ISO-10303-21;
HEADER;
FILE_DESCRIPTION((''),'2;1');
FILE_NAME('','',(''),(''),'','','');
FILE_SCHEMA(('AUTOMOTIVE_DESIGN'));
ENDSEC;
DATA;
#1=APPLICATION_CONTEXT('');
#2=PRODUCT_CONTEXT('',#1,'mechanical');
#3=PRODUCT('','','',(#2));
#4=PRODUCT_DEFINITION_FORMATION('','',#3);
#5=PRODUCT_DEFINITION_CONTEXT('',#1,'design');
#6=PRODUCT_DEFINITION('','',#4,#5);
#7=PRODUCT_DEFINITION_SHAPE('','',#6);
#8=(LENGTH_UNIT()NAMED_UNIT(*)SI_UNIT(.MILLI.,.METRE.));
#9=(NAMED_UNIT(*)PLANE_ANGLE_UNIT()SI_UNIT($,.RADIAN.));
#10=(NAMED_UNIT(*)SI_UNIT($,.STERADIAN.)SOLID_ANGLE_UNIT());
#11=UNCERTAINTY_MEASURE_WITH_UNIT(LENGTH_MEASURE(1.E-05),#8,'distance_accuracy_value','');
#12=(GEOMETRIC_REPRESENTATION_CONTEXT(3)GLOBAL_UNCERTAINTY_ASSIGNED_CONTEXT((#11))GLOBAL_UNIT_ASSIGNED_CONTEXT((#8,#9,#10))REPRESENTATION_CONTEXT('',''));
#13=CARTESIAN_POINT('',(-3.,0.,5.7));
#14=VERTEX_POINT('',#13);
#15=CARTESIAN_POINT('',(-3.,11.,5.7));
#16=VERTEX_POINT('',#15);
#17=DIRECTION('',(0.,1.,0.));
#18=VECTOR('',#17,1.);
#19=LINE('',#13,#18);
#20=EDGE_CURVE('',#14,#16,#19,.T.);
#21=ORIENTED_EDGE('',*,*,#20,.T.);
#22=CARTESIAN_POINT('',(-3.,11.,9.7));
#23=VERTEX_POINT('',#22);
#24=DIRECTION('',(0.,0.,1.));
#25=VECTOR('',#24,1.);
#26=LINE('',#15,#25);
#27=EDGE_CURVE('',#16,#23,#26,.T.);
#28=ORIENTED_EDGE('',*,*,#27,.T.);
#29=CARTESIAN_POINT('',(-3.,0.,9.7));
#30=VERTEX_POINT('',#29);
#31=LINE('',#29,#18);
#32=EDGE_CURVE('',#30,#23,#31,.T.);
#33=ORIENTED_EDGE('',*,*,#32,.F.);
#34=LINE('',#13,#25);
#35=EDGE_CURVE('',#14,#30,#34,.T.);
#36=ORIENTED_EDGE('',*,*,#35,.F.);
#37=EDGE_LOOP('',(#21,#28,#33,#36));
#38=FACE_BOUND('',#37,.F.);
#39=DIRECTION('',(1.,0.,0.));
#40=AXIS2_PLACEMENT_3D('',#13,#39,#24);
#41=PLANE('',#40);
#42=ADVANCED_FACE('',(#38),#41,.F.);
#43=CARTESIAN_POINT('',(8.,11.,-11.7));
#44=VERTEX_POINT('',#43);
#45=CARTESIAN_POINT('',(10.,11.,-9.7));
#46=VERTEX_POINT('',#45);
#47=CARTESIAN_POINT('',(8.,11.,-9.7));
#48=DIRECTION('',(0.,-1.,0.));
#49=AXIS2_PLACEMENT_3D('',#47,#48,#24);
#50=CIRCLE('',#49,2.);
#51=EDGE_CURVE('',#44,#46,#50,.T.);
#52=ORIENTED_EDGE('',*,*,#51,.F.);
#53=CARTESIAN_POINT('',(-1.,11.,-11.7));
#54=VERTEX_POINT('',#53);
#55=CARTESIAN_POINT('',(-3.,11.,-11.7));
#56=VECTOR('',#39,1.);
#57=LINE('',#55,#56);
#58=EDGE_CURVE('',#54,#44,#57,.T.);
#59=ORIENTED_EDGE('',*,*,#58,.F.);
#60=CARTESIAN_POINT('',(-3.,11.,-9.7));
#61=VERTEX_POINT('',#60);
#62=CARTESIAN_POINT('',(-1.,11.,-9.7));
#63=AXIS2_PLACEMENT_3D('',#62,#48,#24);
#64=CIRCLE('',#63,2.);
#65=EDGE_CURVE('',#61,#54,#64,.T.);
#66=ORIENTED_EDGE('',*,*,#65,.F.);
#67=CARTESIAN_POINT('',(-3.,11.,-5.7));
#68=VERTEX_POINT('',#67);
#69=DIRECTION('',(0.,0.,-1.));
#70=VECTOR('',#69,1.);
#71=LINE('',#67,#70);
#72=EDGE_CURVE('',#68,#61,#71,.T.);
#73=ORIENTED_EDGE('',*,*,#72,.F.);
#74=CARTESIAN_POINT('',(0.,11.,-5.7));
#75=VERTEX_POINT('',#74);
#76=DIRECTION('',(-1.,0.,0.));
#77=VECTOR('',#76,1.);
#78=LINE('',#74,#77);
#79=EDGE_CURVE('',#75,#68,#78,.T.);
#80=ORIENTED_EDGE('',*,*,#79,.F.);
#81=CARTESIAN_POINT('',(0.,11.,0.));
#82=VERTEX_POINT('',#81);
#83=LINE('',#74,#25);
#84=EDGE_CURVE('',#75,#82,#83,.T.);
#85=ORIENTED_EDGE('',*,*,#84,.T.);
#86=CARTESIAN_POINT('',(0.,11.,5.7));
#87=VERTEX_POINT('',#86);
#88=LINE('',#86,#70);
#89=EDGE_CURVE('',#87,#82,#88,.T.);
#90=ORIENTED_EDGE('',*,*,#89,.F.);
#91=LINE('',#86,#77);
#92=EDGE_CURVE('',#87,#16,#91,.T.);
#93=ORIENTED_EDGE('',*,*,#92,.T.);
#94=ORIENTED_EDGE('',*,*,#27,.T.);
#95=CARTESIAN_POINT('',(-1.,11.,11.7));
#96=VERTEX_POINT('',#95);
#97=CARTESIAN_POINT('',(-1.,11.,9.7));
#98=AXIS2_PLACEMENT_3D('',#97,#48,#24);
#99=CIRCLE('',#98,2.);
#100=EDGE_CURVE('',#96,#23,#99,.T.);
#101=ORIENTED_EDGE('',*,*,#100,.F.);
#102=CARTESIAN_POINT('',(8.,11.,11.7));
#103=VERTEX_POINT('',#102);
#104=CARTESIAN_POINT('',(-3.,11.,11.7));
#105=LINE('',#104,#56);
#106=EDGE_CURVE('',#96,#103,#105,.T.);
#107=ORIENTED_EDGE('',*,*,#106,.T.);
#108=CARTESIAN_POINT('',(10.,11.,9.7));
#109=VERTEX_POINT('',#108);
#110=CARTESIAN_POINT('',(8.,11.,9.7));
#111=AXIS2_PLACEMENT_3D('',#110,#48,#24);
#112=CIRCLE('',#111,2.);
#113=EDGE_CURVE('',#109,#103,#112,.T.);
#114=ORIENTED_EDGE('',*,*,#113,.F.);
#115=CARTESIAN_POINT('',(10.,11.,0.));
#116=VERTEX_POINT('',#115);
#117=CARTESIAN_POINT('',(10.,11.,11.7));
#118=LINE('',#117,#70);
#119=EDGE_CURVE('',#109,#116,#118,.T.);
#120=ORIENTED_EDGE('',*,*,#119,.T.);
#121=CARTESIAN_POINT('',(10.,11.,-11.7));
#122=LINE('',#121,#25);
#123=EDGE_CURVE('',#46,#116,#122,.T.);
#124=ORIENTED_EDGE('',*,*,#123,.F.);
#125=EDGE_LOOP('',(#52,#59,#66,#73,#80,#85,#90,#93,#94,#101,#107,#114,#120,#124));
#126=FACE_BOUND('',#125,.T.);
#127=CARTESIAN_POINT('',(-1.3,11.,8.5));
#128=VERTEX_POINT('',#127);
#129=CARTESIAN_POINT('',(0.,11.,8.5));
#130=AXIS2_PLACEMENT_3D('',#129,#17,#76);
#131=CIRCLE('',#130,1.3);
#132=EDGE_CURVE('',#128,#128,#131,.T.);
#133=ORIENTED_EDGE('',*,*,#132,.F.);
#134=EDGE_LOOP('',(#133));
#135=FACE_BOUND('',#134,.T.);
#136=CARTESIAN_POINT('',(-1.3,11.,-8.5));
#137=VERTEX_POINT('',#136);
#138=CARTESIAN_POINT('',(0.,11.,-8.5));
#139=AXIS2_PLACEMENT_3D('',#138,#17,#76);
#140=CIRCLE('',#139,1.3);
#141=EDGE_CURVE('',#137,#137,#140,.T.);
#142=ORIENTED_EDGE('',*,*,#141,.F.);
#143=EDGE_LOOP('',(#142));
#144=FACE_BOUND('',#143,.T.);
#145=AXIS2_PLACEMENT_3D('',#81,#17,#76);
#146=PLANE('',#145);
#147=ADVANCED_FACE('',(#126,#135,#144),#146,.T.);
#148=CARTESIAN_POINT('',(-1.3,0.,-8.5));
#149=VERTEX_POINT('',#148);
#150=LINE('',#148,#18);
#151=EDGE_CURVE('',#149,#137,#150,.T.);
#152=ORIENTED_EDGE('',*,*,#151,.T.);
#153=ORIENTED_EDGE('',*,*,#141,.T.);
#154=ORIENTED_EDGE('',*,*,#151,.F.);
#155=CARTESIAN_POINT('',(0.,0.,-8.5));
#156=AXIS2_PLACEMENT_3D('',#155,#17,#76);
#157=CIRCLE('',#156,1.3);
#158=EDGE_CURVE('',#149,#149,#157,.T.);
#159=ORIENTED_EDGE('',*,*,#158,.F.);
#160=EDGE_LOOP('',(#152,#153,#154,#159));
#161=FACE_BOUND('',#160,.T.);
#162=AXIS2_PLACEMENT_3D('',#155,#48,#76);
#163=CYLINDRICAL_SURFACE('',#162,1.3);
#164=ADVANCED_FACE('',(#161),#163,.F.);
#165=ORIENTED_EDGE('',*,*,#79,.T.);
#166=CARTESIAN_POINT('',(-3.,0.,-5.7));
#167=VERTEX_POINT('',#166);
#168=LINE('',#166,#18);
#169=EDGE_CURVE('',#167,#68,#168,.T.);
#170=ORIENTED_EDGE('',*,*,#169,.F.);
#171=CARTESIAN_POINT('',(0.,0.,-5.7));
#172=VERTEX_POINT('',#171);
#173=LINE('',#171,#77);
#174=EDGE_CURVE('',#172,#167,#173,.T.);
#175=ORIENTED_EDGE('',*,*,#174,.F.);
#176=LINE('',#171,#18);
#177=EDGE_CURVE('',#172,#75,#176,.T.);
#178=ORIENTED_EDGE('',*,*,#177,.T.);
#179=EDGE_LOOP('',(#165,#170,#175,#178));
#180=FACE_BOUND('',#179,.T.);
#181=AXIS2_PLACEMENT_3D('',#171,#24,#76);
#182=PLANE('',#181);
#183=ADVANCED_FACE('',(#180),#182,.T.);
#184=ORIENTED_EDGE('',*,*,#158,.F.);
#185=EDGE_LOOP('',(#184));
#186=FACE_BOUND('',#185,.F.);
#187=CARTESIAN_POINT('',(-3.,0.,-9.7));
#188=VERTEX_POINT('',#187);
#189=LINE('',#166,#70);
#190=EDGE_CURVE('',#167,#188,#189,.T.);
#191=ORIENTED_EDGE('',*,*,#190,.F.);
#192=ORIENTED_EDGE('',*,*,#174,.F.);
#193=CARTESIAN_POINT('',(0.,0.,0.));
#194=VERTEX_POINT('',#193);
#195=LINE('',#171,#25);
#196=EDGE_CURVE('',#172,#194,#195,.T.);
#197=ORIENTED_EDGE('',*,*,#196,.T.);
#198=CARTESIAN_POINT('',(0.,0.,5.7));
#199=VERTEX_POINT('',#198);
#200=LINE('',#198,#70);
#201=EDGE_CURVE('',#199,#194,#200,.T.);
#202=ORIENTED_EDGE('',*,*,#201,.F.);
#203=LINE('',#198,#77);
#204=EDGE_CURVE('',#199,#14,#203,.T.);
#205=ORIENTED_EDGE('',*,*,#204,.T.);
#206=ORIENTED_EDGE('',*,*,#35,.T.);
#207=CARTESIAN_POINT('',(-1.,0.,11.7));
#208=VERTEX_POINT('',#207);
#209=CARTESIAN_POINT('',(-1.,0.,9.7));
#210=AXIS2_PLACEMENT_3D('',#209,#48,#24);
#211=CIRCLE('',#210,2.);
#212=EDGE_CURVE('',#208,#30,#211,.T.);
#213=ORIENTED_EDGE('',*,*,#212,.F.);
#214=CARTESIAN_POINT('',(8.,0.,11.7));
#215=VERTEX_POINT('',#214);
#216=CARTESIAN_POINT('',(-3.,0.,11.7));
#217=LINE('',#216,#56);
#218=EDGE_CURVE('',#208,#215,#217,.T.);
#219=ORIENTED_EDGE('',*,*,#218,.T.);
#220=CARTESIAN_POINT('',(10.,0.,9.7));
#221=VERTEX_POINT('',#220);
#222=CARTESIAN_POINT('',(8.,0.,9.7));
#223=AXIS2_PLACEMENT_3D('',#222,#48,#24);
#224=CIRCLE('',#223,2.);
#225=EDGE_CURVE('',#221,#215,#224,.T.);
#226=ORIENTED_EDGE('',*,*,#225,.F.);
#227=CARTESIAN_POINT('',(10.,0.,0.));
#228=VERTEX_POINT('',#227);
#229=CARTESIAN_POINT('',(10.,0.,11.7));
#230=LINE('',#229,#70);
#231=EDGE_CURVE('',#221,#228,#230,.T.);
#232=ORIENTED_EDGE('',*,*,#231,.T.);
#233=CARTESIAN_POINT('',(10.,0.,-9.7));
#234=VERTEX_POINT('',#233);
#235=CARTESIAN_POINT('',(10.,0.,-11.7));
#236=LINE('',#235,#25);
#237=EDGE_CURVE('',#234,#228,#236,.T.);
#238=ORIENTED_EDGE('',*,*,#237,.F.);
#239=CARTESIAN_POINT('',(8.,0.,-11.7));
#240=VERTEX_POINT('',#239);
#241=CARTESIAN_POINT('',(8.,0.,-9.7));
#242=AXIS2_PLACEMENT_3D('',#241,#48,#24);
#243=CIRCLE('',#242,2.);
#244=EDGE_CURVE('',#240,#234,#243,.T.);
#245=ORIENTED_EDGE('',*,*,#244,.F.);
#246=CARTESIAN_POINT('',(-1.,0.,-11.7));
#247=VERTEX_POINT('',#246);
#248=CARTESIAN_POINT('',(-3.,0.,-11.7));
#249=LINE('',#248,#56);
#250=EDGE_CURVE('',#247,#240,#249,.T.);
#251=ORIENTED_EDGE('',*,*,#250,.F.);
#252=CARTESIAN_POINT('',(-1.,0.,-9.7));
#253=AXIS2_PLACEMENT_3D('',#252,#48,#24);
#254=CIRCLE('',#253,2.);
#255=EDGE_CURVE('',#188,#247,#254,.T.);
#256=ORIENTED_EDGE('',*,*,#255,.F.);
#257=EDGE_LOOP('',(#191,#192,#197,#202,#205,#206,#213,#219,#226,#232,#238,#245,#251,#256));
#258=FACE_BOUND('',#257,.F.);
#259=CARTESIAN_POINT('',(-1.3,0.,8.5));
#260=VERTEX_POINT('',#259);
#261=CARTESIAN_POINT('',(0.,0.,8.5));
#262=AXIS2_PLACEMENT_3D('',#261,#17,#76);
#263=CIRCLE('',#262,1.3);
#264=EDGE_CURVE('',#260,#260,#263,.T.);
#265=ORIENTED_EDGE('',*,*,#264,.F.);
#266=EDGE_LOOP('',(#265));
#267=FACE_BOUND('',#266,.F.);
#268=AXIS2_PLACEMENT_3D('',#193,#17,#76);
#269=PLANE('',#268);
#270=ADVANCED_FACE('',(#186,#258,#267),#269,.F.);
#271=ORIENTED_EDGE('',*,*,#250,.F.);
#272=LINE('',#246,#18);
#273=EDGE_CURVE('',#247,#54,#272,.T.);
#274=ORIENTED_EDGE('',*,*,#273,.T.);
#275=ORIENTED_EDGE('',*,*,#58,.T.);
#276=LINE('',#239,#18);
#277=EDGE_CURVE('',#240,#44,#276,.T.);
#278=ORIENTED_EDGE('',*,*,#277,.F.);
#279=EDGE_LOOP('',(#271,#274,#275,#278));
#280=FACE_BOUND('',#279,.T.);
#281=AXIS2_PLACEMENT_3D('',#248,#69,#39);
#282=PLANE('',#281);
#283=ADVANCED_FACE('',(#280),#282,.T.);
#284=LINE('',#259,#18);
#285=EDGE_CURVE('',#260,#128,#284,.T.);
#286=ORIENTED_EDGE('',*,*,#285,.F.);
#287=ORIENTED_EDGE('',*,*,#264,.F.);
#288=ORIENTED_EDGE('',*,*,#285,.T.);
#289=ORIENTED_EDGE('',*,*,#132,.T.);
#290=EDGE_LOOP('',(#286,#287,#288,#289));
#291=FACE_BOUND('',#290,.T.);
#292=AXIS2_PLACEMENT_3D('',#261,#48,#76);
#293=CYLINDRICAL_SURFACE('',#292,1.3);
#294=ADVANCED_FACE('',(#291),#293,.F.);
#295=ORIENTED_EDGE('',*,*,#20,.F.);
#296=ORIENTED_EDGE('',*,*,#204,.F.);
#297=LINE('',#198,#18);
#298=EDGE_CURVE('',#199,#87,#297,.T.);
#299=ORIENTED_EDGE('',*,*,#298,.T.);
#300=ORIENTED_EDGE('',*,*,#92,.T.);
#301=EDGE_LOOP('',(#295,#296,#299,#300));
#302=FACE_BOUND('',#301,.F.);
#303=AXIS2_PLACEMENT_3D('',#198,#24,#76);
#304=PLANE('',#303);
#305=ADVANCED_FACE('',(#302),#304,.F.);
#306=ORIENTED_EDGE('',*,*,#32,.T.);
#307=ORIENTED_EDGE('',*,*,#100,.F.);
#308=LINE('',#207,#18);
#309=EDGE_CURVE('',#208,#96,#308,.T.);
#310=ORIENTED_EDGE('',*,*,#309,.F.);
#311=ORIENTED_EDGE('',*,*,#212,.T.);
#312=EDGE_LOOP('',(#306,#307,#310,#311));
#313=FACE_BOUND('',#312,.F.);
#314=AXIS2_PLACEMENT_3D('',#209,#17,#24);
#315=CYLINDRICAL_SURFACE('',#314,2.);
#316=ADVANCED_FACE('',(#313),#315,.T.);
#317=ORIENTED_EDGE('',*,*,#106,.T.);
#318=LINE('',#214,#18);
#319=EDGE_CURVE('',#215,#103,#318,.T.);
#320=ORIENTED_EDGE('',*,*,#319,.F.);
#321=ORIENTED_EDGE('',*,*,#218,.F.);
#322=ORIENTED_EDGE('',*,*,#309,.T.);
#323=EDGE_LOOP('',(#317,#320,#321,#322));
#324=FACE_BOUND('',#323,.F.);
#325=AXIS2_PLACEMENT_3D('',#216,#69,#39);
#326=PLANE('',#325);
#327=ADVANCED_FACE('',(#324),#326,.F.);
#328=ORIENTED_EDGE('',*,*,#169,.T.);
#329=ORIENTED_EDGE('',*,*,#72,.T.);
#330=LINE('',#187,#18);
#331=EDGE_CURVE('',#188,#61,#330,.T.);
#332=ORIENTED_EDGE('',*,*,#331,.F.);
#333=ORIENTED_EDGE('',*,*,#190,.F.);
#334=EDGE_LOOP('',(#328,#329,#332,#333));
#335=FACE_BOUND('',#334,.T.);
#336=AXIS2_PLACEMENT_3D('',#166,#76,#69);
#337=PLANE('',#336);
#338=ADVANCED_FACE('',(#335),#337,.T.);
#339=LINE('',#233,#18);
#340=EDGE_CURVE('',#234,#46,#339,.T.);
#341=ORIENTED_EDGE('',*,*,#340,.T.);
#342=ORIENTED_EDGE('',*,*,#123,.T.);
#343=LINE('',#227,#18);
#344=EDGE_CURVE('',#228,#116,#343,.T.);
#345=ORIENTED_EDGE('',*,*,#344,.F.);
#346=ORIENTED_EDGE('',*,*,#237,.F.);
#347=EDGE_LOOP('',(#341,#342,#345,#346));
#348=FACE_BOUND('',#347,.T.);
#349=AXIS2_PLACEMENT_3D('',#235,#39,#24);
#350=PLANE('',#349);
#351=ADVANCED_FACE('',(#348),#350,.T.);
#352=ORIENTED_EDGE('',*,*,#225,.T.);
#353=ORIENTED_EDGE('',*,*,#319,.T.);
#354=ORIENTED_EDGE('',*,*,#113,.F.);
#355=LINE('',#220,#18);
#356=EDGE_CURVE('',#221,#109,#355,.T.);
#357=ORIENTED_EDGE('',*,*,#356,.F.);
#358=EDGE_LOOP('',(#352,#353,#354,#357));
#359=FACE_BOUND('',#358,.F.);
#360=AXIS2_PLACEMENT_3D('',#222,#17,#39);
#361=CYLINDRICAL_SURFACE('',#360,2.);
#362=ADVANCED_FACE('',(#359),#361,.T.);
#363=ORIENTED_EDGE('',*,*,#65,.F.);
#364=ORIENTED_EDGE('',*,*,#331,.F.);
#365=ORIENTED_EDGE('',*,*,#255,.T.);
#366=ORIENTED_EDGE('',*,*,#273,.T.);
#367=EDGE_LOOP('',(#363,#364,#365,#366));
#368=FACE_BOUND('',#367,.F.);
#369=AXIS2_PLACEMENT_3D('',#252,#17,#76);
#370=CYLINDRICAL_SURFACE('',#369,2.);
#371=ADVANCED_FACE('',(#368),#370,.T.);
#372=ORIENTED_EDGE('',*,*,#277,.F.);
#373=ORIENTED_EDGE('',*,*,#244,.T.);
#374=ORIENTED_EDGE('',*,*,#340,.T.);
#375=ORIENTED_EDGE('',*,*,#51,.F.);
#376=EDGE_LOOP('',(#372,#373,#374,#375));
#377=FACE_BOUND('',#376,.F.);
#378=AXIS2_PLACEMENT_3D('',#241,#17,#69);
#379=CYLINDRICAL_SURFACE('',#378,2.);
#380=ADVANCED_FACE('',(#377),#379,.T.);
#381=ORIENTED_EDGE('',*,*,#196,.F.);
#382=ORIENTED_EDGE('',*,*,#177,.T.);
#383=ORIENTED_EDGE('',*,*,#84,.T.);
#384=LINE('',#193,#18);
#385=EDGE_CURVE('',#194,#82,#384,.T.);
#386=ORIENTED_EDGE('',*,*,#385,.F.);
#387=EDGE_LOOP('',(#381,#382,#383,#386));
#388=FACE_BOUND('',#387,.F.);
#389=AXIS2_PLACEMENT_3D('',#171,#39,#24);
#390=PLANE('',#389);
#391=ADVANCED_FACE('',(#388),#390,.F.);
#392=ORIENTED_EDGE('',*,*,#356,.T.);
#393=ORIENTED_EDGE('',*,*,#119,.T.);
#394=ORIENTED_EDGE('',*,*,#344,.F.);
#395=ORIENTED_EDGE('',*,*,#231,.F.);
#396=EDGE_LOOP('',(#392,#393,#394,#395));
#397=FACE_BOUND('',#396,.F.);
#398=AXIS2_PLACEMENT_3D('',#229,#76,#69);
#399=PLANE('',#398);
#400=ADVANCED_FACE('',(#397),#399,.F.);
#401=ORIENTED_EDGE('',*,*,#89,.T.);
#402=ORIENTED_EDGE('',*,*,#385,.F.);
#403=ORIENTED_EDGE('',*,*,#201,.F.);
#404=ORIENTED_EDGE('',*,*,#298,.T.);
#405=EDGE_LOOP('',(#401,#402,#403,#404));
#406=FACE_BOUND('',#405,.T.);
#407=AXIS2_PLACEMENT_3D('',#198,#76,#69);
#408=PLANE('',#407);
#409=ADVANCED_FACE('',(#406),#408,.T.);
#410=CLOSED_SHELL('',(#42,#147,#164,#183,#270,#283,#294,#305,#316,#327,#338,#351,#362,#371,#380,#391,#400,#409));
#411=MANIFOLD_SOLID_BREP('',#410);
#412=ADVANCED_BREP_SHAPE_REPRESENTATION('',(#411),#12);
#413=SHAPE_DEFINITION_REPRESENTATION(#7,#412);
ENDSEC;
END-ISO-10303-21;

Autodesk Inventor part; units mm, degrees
ref_plane "YZ Plane" through (0, 0, 0) normal (1, 0, 0) x (0, 1, 0)
ref_plane "XZ Plane" through (0, 0, 0) normal (0, 1, 0) x (-1, 0, 0)
ref_plane "XY Plane" through (0, 0, 0) normal (0, 0, 1) x (1, 0, 0)
sketch "Эскиз1" plane through (0, 0, 0) normal (0, 1, 0) x (-1, 0, 0)
  circle A0 centre (0, 8.5) radius 1.3
  circle A1 centre (0, -8.5) radius 1.3
  line L0 (0, 5.7) -> (3, 5.7)
  line L1 (3, 5.7) -> (3, 11.7)
  line L2 (3, 11.7) -> (-10, 11.7)
  line L3 (-10, 11.7) -> (-10, 0)
  line L4 (5.8356, 0) -> (-16.6075, 0) construction
  line L5 (0, 5.7) -> (0, 0)
  circle A2 centre (0, -8.5) radius 1.3
  line L6 (0, -5.7) -> (3, -5.7)
  line L7 (3, -5.7) -> (3, -11.7)
  line L8 (3, -11.7) -> (-10, -11.7)
  line L9 (-10, -11.7) -> (-10, 0)
  line L10 (0, -5.7) -> (0, 0)
  dimension "d1" = 2.6
  dimension "d2" = 2.6
  dimension "d5" = 3
  dimension "d6" = 6
  dimension "d7" = 13
extrude "Выдавливание1" add sketch "Эскиз1" along normal blind 11
fillet "Сопряжение1" radius 2 4 edges at (10, 5.5, 11.7) (-3, 5.5, 11.7) (10, 5.5, -11.7) (-3, 5.5, -11.7)
properties part number "стойки для драйверов"
